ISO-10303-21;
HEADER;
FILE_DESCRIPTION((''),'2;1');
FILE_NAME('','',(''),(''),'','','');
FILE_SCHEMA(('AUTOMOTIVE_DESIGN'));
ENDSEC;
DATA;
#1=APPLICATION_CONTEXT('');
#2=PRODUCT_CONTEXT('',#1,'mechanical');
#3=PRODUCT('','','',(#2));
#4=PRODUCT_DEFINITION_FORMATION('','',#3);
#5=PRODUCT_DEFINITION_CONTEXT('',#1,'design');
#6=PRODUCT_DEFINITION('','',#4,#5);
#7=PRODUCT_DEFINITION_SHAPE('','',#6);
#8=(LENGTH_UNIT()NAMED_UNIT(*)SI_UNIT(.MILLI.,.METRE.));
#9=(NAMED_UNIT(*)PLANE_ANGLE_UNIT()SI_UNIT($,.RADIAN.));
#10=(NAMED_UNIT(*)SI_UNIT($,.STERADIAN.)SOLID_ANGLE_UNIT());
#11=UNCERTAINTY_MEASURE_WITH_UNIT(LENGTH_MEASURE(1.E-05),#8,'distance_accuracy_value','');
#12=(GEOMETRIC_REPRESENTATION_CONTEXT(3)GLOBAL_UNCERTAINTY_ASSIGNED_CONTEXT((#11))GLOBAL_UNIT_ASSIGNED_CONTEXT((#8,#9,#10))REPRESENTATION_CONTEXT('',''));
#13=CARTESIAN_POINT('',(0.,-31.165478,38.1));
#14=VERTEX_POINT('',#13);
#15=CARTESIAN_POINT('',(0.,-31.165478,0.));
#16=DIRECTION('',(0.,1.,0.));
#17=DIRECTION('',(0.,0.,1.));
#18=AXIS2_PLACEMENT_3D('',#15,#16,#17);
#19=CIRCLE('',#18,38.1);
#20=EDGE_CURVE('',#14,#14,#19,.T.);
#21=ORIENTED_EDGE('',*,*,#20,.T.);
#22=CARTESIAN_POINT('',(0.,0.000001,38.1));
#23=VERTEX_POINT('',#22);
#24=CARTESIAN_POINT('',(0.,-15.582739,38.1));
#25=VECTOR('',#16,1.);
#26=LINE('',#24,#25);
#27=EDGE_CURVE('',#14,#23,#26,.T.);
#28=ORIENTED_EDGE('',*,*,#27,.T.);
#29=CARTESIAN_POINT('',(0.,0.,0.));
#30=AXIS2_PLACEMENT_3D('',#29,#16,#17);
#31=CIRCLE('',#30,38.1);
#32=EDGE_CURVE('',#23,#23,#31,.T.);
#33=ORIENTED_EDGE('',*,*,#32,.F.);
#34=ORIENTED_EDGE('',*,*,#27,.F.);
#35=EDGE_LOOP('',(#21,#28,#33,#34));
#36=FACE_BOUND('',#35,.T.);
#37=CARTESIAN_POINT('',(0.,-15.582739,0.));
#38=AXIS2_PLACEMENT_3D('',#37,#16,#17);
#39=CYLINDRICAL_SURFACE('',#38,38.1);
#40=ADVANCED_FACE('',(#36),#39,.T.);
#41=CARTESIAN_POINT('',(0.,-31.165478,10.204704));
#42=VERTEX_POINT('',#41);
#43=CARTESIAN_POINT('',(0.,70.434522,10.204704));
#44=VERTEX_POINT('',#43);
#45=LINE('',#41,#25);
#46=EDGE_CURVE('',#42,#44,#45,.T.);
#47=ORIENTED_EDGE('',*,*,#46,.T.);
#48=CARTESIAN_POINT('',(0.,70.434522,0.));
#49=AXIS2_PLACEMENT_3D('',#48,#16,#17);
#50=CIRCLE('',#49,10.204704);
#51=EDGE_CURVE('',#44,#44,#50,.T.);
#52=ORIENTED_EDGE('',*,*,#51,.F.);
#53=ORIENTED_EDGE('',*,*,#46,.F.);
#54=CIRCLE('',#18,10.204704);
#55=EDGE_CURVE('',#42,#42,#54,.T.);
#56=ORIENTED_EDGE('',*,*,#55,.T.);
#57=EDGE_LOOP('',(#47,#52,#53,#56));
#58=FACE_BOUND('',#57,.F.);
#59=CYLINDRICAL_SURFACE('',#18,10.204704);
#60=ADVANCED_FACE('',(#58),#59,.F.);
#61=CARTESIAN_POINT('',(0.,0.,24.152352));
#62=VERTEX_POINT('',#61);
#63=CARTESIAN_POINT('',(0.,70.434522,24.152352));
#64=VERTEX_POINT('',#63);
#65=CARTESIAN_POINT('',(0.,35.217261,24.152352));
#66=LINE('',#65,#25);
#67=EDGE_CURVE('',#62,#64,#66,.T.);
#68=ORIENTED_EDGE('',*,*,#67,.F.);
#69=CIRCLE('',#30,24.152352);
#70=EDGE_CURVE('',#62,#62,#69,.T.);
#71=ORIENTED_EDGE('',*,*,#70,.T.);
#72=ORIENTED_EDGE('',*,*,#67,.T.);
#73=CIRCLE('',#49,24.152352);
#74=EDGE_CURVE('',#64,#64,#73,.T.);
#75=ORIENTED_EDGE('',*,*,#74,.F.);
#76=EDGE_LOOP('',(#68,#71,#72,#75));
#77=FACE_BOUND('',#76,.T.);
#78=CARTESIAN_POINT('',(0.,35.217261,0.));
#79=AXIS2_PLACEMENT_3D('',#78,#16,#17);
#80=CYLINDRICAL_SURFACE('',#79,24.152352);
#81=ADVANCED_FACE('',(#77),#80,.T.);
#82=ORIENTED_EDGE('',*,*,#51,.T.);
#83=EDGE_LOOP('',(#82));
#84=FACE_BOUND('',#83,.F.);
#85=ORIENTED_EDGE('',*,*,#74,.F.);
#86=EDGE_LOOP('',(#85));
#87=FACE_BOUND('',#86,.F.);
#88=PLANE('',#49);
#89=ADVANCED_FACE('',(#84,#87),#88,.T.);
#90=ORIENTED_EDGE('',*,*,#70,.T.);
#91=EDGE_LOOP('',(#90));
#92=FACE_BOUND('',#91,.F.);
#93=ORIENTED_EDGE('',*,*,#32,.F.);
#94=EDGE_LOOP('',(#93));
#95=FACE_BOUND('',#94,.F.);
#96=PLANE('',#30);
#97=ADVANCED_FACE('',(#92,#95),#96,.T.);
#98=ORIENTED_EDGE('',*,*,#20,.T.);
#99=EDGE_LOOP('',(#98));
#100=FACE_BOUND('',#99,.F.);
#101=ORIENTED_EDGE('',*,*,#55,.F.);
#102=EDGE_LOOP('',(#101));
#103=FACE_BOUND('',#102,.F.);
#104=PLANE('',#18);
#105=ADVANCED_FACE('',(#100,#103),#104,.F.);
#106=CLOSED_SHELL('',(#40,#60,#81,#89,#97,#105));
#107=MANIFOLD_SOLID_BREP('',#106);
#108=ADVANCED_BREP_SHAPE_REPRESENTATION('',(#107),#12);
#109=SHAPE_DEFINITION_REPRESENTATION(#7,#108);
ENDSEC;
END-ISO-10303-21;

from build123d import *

# Parameters (mm, degrees)
F0_W   = 31.165479
F0_H   = 13.947648
F0_W_2 = 70.434521


with BuildPart() as f1:
    # F0 (on Right) → F1 (revolve)
    with BuildSketch(Plane.YZ):
        with Locations((-15.582739, 31.126176)):
            Rectangle(F0_W, F0_H)
        with Locations((-15.582739, 17.178528)):
            Rectangle(F0_W, F0_H)
        with Locations((35.217261, 17.178528)):
            Rectangle(F0_W_2, F0_H)
    revolve(axis=Axis((0, 19.634521, 0), (0, 1, 0)))


solid = f1.part
